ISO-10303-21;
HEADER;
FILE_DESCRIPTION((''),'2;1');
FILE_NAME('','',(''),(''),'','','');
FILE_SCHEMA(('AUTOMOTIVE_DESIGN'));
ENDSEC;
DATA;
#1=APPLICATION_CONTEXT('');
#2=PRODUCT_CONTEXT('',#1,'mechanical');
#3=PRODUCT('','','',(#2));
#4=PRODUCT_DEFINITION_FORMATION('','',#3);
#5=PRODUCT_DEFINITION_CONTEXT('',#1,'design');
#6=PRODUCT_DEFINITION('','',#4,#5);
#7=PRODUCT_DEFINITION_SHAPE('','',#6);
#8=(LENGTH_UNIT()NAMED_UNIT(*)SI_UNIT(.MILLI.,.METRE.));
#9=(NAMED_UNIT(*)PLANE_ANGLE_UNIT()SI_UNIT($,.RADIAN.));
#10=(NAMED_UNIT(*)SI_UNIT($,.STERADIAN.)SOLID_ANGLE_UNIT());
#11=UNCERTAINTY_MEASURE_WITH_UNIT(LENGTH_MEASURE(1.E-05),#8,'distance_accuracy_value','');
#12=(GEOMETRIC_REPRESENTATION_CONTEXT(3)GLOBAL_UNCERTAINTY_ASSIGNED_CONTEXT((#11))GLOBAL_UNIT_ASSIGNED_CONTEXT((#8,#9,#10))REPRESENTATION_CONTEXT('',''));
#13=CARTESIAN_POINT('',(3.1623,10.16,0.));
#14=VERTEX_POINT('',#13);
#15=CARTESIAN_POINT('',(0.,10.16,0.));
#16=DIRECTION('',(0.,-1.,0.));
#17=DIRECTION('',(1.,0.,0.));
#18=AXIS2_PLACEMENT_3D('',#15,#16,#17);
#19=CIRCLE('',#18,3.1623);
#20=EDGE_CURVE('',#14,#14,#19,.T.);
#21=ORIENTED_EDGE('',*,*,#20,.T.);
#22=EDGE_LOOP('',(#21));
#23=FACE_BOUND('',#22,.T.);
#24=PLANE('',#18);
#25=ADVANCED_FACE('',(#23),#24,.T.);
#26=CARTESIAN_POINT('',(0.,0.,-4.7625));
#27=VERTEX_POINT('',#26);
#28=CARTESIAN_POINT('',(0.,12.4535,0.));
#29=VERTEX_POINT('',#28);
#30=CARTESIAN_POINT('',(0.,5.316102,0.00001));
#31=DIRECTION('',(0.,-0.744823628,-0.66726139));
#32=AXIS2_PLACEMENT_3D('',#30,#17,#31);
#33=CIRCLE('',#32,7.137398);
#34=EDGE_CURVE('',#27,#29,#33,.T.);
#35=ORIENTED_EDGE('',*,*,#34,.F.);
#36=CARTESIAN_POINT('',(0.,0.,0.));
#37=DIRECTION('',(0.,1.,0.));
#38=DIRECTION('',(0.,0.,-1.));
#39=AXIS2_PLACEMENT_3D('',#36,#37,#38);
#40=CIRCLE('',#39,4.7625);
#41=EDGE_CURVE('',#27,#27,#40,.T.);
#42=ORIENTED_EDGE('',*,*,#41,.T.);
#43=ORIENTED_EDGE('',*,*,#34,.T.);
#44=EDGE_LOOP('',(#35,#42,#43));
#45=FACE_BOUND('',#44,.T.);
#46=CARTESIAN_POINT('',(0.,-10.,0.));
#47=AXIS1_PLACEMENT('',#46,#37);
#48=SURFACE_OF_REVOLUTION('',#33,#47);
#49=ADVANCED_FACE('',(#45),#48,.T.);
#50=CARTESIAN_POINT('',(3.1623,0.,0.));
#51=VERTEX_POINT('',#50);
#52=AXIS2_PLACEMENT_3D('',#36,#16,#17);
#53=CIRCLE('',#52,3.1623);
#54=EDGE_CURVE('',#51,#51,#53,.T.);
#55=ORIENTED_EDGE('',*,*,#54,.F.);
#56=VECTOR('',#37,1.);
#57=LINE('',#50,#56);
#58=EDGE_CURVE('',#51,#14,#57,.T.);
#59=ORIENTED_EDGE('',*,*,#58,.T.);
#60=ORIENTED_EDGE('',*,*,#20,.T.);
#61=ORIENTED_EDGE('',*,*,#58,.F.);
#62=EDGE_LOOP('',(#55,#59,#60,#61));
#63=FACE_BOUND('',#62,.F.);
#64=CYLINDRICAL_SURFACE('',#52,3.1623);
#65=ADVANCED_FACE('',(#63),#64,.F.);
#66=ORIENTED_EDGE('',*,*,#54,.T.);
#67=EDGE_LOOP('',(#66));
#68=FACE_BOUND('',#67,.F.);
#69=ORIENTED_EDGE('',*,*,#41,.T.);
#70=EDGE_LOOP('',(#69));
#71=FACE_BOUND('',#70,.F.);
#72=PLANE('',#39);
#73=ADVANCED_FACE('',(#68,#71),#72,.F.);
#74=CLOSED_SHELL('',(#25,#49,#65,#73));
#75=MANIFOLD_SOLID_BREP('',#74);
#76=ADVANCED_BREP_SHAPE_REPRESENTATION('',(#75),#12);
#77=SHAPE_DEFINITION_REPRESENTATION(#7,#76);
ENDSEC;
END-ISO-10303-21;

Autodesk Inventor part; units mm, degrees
ref_plane "YZ Plane" through (0, 0, 0) normal (1, 0, 0) x (0, 1, 0)
ref_plane "XZ Plane" through (0, 0, 0) normal (0, 1, 0) x (-1, 0, 0)
ref_plane "XY Plane" through (0, 0, 0) normal (0, 0, 1) x (1, 0, 0)
sketch "Sketch1" plane through (0, 0, 0) normal (1, 0, 0) x (0, 1, 0)
  line L0 (-2.8185, 0) -> (16.9108, 0) projected
  line L1 (0, -11.8099) -> (0, 7.5246) projected
  arc A0 (0, -4.7625) -> (12.4535, 0) centre (5.3161, 0) ccw
  line L2 (0, 4.7625) -> (0, -4.7625)
  point P0 (0, 0)
  dimension "d1" = 14.2748
  dimension "d3" = 9.525
revolve "Revolution1" add sketch "Sketch1" angle 360 about axis through (0, -10, 0) along (0, 1, 0)
sketch "Sketch2" plane through (0, 0, 0) normal (0, -1, 0) x (1, 0, 0)
  circle A0 centre (0, 0) radius 3.1623
  dimension "d5" = 6.3246
extrude "Extrusion1" cut sketch "Sketch2" against normal blind 10.16
properties part number "Ch7(5) Part 4 Ball End"
